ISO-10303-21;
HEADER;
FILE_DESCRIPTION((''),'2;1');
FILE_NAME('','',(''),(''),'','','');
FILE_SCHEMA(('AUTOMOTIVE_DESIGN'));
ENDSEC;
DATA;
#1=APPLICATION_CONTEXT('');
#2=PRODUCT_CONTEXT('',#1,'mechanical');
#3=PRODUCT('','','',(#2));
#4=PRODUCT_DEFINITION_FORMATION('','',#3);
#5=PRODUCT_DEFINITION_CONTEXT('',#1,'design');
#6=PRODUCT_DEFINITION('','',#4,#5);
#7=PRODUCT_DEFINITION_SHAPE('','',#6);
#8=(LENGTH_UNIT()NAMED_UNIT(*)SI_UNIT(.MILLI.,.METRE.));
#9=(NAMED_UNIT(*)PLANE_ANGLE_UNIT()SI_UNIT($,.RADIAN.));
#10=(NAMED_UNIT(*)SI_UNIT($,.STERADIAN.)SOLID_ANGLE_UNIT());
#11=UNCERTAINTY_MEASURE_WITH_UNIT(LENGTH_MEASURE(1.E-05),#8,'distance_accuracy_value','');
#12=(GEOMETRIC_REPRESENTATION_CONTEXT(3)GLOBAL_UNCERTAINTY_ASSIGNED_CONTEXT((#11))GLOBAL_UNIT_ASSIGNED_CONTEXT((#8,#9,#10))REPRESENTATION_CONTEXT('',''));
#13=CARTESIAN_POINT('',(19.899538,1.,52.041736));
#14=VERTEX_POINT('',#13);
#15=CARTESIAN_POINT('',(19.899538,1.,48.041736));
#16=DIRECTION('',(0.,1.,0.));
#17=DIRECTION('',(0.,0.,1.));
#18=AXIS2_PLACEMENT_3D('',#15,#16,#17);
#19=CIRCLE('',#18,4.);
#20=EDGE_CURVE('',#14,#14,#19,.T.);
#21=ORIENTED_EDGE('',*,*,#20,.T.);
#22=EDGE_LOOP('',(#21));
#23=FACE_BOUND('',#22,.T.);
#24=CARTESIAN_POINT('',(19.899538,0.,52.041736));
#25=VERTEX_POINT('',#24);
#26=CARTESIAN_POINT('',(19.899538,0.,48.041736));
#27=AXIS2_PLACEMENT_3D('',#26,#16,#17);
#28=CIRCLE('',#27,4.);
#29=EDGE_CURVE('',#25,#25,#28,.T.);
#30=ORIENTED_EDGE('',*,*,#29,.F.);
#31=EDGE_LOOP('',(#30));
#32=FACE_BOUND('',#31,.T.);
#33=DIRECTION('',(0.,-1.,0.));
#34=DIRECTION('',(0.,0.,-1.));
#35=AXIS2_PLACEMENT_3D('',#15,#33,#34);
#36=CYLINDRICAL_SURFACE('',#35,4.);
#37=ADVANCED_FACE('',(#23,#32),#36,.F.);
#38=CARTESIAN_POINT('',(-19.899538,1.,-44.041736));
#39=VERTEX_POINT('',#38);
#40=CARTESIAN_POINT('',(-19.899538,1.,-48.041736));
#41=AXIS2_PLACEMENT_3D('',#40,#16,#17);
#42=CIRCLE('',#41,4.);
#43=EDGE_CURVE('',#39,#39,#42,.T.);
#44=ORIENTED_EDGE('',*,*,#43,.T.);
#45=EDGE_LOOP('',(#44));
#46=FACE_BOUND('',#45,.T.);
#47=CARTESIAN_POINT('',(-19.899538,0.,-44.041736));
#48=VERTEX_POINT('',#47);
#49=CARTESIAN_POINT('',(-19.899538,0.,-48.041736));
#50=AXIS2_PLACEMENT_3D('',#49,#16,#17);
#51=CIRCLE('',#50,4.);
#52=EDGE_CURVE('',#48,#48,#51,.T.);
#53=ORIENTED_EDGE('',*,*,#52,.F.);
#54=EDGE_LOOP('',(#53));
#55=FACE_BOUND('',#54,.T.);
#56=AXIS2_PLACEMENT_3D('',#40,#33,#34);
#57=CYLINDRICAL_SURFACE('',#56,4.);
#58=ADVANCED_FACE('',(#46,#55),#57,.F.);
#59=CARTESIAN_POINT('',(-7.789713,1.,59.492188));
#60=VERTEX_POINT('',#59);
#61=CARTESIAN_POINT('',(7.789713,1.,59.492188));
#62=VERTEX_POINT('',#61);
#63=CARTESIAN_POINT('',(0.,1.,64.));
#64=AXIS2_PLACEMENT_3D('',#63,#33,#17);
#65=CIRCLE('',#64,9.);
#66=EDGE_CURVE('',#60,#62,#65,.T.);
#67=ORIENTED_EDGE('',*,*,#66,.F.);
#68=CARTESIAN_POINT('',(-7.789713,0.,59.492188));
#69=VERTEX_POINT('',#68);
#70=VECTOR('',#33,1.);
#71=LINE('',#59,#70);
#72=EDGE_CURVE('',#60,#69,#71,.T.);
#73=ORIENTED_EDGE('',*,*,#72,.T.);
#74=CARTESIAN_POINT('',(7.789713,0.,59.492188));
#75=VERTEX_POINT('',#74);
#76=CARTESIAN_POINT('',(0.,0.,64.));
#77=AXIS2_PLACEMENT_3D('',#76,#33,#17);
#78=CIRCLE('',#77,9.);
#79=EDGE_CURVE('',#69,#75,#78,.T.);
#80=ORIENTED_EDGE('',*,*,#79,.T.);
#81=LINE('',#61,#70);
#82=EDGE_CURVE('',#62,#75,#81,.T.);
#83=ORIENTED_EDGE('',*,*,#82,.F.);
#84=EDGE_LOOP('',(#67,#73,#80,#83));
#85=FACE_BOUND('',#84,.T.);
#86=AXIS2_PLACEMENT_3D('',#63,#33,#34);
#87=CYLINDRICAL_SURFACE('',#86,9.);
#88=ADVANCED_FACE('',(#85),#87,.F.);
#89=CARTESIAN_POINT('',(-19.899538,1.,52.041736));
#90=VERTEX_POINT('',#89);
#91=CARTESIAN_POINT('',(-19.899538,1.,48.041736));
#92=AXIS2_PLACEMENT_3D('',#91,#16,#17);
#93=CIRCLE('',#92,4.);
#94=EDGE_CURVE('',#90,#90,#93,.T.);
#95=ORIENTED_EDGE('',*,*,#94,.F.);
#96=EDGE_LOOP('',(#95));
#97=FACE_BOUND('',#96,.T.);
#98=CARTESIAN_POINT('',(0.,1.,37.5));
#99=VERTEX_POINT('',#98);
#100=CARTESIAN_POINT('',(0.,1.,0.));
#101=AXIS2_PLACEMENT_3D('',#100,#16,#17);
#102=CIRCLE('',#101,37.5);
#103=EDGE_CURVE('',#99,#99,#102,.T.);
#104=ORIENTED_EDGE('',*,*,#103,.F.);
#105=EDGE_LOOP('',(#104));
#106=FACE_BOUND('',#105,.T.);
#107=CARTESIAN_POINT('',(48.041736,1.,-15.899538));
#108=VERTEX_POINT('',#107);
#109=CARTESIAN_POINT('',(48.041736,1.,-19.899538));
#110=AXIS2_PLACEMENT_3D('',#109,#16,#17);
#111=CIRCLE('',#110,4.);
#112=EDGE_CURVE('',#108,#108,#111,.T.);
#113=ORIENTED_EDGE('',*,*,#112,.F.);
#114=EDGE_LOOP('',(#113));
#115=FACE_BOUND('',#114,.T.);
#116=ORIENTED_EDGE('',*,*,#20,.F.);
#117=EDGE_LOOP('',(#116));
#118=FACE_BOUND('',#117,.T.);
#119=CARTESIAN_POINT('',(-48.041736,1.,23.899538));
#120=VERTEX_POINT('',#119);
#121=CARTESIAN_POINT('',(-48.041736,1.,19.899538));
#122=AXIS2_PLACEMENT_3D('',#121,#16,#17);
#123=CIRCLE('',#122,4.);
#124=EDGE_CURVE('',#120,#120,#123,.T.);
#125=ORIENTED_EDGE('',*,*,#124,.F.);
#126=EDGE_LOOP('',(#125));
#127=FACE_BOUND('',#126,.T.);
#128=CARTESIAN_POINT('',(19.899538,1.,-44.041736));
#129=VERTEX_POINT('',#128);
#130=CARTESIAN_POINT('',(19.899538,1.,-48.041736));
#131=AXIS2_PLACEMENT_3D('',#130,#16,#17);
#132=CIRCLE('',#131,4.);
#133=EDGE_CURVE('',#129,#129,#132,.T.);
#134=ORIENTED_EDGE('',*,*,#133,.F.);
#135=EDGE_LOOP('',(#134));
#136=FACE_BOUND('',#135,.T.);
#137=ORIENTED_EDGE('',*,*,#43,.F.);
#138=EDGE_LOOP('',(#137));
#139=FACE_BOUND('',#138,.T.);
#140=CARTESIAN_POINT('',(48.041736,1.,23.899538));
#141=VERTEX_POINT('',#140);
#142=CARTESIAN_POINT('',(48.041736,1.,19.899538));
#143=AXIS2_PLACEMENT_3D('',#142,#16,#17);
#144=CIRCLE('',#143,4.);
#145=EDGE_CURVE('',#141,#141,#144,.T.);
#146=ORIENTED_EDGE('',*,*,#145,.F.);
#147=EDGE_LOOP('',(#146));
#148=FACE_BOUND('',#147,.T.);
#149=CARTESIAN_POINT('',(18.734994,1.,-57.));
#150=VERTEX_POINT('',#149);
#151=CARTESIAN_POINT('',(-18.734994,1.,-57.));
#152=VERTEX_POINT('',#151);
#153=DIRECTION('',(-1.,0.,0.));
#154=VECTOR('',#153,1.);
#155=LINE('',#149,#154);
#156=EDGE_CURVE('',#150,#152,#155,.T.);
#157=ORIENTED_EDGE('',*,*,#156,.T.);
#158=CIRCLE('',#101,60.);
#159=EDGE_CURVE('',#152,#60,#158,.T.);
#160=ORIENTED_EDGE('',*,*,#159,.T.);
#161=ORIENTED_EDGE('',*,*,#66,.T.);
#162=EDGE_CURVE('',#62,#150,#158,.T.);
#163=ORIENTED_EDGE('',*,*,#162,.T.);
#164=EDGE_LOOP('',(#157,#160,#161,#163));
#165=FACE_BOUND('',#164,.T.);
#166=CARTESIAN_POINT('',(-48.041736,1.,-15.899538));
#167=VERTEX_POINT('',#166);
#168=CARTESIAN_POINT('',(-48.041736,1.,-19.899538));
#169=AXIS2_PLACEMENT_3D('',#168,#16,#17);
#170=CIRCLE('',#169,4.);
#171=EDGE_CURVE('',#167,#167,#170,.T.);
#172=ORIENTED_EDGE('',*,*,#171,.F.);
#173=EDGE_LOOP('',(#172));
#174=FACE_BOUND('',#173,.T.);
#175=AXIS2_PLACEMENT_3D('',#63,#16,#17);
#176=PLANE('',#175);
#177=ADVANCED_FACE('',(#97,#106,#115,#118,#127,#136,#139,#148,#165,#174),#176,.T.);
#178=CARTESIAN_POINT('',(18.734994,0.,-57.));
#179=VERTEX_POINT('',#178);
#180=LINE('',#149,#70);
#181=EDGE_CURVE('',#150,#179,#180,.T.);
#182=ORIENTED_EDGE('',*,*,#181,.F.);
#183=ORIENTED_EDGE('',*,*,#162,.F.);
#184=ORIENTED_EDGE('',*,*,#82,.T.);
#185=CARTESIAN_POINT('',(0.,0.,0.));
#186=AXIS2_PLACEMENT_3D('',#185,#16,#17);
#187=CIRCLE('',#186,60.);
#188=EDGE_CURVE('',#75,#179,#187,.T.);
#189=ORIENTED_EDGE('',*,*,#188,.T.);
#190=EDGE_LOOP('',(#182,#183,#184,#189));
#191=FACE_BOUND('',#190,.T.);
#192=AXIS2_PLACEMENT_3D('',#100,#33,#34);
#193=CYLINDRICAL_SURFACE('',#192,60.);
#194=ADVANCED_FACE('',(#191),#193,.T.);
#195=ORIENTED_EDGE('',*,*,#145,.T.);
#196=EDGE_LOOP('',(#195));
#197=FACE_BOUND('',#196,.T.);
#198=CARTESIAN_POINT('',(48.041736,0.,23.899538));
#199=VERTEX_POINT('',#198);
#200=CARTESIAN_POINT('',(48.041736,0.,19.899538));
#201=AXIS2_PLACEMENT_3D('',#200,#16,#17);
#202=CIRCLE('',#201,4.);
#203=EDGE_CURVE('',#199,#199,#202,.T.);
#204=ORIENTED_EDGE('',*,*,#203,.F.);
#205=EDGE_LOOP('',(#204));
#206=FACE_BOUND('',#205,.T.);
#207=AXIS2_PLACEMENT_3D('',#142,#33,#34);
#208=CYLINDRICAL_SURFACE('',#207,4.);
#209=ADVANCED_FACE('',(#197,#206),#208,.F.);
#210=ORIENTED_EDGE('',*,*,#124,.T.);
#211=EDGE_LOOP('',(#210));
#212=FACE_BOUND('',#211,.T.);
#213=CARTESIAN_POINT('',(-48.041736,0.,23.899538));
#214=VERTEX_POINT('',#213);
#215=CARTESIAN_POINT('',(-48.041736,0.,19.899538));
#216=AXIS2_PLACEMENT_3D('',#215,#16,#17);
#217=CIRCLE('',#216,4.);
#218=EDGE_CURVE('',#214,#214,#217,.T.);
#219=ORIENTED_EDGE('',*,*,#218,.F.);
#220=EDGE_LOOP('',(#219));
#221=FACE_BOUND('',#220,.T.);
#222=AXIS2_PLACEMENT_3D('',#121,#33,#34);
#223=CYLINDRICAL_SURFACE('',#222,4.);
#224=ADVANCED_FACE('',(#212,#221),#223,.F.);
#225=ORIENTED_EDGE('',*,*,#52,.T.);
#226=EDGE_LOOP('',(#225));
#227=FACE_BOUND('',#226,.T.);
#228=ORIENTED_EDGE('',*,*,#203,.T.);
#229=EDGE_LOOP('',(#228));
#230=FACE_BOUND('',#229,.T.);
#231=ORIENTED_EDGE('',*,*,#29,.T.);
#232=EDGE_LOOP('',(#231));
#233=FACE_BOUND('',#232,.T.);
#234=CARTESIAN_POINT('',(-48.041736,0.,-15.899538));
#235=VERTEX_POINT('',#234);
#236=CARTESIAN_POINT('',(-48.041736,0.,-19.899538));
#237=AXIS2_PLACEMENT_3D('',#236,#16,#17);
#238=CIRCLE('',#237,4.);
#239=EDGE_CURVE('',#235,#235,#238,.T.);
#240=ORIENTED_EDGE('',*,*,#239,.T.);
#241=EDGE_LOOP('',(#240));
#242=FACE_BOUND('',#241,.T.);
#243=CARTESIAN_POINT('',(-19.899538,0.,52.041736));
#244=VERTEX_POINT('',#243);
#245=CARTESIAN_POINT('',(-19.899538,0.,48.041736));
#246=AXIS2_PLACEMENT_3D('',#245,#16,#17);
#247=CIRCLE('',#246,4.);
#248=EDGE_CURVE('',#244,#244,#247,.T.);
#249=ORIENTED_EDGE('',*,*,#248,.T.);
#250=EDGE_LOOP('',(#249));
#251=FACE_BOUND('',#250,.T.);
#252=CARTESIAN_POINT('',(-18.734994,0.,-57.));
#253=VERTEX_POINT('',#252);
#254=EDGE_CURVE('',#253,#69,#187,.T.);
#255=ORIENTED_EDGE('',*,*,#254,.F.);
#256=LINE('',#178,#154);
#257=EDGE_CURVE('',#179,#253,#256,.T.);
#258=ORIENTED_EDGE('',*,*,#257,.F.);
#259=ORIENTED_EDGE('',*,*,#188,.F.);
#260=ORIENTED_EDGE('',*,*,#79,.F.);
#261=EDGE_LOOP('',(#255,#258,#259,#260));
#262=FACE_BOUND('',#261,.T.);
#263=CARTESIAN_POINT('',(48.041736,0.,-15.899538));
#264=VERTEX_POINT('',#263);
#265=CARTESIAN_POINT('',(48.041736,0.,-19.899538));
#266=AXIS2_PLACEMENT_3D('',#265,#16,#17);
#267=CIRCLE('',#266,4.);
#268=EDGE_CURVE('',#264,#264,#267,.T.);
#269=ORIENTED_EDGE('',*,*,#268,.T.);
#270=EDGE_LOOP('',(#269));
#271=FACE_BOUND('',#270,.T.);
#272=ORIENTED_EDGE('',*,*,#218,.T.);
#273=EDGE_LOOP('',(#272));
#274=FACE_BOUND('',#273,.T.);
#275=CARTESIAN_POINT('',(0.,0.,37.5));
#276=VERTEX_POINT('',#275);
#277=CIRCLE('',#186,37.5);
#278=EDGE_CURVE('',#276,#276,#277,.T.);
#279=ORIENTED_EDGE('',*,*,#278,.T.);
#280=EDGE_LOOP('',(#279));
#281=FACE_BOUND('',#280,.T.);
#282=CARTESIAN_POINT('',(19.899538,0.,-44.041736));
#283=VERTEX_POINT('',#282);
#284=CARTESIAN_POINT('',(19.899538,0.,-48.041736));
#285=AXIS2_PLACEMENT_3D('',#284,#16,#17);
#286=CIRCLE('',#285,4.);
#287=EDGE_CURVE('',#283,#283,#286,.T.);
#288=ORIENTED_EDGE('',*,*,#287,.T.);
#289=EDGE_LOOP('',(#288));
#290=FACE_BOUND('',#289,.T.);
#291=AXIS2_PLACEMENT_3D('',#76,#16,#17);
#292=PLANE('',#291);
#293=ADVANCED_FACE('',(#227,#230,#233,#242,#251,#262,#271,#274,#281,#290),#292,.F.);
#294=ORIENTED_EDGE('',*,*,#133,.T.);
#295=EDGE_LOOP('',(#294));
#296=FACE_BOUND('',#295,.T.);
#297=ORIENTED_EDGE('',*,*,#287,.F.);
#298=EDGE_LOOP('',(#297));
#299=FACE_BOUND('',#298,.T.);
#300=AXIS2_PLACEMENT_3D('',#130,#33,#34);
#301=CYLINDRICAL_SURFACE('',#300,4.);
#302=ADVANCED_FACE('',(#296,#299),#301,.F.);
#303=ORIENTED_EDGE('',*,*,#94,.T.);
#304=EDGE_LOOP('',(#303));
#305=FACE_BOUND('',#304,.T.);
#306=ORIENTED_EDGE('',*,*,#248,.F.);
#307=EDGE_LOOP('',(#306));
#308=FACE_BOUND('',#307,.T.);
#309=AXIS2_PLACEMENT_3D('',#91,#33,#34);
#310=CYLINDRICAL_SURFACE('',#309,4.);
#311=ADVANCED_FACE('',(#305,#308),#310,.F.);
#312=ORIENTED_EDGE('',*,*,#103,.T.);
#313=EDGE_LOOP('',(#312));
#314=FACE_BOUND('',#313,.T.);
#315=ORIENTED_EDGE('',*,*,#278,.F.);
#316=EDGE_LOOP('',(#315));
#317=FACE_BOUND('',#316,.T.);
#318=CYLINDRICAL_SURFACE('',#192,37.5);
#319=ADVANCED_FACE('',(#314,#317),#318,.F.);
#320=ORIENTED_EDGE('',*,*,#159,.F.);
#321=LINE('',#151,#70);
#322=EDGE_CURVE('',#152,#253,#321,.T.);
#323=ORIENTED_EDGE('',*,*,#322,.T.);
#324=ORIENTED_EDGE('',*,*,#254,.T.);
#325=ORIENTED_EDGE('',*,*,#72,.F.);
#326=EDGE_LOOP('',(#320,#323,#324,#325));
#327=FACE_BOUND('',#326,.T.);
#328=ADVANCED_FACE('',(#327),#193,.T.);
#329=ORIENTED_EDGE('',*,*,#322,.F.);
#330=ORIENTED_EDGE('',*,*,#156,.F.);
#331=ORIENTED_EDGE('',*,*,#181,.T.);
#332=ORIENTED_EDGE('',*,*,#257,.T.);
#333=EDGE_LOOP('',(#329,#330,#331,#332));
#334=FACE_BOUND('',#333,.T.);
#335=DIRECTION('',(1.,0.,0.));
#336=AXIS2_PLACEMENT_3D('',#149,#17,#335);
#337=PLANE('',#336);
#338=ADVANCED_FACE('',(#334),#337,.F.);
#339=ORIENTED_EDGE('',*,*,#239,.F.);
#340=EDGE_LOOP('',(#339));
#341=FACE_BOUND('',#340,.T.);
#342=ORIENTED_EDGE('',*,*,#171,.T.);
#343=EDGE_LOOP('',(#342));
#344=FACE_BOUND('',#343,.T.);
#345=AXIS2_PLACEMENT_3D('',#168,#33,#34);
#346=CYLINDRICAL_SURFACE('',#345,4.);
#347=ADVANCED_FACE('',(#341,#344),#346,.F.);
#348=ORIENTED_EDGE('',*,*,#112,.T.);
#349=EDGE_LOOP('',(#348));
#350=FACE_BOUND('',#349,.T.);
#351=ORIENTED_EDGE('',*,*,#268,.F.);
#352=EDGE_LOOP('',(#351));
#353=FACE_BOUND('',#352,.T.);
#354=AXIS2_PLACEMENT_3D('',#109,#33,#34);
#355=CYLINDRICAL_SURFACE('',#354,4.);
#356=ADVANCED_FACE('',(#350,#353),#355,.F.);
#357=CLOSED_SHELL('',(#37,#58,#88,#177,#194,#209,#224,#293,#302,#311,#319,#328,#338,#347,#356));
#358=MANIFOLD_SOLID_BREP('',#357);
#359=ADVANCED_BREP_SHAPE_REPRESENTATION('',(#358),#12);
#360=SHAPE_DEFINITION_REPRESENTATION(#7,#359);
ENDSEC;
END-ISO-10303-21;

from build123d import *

# Parameters (mm, degrees)
SKETCH_1_R      = 37.5
SKETCH_1_R_2    = 4
EXTRUDE_1_DEPTH = 1


with BuildPart() as part:
    # 草图1 → 凸台-拉伸1 (new body)
    with BuildSketch(Plane(origin=(0, 0, 0), x_dir=(1, 0, 0), z_dir=(0, 1, 0))):
        with BuildLine():
            Line((18.734993995, 57), (-18.734993995, 57))
            ThreePointArc((-18.734993995, 57), (-59.736901958, -5.612712749), (-7.789712862, -59.4921875))
            ThreePointArc((-7.789712862, -59.4921875), (0, -55), (7.789712862, -59.4921875))
            ThreePointArc((7.789712862, -59.4921875), (59.736901958, -5.612712749), (18.734993995, 57))
        make_face()
        with Locations(Location((0, 0, 0), (0, 0, 270))):
            Circle(SKETCH_1_R, mode=Mode.SUBTRACT)
        with Locations(Location((-48.041735691, 19.899538483, 0), (0, 0, 270))):
            Circle(SKETCH_1_R_2, mode=Mode.SUBTRACT)
        with Locations(Location((-19.899538483, 48.041735691, 0), (0, 0, 270))):
            Circle(SKETCH_1_R_2, mode=Mode.SUBTRACT)
        with Locations(Location((19.899538483, 48.041735691, 0), (0, 0, 270))):
            Circle(SKETCH_1_R_2, mode=Mode.SUBTRACT)
        with Locations(Location((48.041735691, 19.899538483, 0), (0, 0, 270))):
            Circle(SKETCH_1_R_2, mode=Mode.SUBTRACT)
        with Locations(Location((48.041735691, -19.899538483, 0), (0, 0, 270))):
            Circle(SKETCH_1_R_2, mode=Mode.SUBTRACT)
        with Locations(Location((19.899538483, -48.041735691, 0), (0, 0, 270))):
            Circle(SKETCH_1_R_2, mode=Mode.SUBTRACT)
        with Locations(Location((-19.899538483, -48.041735691, 0), (0, 0, 270))):
            Circle(SKETCH_1_R_2, mode=Mode.SUBTRACT)
        with Locations(Location((-48.041735691, -19.899538483, 0), (0, 0, 270))):
            Circle(SKETCH_1_R_2, mode=Mode.SUBTRACT)
    extrude(amount=EXTRUDE_1_DEPTH)


solid = part.part
